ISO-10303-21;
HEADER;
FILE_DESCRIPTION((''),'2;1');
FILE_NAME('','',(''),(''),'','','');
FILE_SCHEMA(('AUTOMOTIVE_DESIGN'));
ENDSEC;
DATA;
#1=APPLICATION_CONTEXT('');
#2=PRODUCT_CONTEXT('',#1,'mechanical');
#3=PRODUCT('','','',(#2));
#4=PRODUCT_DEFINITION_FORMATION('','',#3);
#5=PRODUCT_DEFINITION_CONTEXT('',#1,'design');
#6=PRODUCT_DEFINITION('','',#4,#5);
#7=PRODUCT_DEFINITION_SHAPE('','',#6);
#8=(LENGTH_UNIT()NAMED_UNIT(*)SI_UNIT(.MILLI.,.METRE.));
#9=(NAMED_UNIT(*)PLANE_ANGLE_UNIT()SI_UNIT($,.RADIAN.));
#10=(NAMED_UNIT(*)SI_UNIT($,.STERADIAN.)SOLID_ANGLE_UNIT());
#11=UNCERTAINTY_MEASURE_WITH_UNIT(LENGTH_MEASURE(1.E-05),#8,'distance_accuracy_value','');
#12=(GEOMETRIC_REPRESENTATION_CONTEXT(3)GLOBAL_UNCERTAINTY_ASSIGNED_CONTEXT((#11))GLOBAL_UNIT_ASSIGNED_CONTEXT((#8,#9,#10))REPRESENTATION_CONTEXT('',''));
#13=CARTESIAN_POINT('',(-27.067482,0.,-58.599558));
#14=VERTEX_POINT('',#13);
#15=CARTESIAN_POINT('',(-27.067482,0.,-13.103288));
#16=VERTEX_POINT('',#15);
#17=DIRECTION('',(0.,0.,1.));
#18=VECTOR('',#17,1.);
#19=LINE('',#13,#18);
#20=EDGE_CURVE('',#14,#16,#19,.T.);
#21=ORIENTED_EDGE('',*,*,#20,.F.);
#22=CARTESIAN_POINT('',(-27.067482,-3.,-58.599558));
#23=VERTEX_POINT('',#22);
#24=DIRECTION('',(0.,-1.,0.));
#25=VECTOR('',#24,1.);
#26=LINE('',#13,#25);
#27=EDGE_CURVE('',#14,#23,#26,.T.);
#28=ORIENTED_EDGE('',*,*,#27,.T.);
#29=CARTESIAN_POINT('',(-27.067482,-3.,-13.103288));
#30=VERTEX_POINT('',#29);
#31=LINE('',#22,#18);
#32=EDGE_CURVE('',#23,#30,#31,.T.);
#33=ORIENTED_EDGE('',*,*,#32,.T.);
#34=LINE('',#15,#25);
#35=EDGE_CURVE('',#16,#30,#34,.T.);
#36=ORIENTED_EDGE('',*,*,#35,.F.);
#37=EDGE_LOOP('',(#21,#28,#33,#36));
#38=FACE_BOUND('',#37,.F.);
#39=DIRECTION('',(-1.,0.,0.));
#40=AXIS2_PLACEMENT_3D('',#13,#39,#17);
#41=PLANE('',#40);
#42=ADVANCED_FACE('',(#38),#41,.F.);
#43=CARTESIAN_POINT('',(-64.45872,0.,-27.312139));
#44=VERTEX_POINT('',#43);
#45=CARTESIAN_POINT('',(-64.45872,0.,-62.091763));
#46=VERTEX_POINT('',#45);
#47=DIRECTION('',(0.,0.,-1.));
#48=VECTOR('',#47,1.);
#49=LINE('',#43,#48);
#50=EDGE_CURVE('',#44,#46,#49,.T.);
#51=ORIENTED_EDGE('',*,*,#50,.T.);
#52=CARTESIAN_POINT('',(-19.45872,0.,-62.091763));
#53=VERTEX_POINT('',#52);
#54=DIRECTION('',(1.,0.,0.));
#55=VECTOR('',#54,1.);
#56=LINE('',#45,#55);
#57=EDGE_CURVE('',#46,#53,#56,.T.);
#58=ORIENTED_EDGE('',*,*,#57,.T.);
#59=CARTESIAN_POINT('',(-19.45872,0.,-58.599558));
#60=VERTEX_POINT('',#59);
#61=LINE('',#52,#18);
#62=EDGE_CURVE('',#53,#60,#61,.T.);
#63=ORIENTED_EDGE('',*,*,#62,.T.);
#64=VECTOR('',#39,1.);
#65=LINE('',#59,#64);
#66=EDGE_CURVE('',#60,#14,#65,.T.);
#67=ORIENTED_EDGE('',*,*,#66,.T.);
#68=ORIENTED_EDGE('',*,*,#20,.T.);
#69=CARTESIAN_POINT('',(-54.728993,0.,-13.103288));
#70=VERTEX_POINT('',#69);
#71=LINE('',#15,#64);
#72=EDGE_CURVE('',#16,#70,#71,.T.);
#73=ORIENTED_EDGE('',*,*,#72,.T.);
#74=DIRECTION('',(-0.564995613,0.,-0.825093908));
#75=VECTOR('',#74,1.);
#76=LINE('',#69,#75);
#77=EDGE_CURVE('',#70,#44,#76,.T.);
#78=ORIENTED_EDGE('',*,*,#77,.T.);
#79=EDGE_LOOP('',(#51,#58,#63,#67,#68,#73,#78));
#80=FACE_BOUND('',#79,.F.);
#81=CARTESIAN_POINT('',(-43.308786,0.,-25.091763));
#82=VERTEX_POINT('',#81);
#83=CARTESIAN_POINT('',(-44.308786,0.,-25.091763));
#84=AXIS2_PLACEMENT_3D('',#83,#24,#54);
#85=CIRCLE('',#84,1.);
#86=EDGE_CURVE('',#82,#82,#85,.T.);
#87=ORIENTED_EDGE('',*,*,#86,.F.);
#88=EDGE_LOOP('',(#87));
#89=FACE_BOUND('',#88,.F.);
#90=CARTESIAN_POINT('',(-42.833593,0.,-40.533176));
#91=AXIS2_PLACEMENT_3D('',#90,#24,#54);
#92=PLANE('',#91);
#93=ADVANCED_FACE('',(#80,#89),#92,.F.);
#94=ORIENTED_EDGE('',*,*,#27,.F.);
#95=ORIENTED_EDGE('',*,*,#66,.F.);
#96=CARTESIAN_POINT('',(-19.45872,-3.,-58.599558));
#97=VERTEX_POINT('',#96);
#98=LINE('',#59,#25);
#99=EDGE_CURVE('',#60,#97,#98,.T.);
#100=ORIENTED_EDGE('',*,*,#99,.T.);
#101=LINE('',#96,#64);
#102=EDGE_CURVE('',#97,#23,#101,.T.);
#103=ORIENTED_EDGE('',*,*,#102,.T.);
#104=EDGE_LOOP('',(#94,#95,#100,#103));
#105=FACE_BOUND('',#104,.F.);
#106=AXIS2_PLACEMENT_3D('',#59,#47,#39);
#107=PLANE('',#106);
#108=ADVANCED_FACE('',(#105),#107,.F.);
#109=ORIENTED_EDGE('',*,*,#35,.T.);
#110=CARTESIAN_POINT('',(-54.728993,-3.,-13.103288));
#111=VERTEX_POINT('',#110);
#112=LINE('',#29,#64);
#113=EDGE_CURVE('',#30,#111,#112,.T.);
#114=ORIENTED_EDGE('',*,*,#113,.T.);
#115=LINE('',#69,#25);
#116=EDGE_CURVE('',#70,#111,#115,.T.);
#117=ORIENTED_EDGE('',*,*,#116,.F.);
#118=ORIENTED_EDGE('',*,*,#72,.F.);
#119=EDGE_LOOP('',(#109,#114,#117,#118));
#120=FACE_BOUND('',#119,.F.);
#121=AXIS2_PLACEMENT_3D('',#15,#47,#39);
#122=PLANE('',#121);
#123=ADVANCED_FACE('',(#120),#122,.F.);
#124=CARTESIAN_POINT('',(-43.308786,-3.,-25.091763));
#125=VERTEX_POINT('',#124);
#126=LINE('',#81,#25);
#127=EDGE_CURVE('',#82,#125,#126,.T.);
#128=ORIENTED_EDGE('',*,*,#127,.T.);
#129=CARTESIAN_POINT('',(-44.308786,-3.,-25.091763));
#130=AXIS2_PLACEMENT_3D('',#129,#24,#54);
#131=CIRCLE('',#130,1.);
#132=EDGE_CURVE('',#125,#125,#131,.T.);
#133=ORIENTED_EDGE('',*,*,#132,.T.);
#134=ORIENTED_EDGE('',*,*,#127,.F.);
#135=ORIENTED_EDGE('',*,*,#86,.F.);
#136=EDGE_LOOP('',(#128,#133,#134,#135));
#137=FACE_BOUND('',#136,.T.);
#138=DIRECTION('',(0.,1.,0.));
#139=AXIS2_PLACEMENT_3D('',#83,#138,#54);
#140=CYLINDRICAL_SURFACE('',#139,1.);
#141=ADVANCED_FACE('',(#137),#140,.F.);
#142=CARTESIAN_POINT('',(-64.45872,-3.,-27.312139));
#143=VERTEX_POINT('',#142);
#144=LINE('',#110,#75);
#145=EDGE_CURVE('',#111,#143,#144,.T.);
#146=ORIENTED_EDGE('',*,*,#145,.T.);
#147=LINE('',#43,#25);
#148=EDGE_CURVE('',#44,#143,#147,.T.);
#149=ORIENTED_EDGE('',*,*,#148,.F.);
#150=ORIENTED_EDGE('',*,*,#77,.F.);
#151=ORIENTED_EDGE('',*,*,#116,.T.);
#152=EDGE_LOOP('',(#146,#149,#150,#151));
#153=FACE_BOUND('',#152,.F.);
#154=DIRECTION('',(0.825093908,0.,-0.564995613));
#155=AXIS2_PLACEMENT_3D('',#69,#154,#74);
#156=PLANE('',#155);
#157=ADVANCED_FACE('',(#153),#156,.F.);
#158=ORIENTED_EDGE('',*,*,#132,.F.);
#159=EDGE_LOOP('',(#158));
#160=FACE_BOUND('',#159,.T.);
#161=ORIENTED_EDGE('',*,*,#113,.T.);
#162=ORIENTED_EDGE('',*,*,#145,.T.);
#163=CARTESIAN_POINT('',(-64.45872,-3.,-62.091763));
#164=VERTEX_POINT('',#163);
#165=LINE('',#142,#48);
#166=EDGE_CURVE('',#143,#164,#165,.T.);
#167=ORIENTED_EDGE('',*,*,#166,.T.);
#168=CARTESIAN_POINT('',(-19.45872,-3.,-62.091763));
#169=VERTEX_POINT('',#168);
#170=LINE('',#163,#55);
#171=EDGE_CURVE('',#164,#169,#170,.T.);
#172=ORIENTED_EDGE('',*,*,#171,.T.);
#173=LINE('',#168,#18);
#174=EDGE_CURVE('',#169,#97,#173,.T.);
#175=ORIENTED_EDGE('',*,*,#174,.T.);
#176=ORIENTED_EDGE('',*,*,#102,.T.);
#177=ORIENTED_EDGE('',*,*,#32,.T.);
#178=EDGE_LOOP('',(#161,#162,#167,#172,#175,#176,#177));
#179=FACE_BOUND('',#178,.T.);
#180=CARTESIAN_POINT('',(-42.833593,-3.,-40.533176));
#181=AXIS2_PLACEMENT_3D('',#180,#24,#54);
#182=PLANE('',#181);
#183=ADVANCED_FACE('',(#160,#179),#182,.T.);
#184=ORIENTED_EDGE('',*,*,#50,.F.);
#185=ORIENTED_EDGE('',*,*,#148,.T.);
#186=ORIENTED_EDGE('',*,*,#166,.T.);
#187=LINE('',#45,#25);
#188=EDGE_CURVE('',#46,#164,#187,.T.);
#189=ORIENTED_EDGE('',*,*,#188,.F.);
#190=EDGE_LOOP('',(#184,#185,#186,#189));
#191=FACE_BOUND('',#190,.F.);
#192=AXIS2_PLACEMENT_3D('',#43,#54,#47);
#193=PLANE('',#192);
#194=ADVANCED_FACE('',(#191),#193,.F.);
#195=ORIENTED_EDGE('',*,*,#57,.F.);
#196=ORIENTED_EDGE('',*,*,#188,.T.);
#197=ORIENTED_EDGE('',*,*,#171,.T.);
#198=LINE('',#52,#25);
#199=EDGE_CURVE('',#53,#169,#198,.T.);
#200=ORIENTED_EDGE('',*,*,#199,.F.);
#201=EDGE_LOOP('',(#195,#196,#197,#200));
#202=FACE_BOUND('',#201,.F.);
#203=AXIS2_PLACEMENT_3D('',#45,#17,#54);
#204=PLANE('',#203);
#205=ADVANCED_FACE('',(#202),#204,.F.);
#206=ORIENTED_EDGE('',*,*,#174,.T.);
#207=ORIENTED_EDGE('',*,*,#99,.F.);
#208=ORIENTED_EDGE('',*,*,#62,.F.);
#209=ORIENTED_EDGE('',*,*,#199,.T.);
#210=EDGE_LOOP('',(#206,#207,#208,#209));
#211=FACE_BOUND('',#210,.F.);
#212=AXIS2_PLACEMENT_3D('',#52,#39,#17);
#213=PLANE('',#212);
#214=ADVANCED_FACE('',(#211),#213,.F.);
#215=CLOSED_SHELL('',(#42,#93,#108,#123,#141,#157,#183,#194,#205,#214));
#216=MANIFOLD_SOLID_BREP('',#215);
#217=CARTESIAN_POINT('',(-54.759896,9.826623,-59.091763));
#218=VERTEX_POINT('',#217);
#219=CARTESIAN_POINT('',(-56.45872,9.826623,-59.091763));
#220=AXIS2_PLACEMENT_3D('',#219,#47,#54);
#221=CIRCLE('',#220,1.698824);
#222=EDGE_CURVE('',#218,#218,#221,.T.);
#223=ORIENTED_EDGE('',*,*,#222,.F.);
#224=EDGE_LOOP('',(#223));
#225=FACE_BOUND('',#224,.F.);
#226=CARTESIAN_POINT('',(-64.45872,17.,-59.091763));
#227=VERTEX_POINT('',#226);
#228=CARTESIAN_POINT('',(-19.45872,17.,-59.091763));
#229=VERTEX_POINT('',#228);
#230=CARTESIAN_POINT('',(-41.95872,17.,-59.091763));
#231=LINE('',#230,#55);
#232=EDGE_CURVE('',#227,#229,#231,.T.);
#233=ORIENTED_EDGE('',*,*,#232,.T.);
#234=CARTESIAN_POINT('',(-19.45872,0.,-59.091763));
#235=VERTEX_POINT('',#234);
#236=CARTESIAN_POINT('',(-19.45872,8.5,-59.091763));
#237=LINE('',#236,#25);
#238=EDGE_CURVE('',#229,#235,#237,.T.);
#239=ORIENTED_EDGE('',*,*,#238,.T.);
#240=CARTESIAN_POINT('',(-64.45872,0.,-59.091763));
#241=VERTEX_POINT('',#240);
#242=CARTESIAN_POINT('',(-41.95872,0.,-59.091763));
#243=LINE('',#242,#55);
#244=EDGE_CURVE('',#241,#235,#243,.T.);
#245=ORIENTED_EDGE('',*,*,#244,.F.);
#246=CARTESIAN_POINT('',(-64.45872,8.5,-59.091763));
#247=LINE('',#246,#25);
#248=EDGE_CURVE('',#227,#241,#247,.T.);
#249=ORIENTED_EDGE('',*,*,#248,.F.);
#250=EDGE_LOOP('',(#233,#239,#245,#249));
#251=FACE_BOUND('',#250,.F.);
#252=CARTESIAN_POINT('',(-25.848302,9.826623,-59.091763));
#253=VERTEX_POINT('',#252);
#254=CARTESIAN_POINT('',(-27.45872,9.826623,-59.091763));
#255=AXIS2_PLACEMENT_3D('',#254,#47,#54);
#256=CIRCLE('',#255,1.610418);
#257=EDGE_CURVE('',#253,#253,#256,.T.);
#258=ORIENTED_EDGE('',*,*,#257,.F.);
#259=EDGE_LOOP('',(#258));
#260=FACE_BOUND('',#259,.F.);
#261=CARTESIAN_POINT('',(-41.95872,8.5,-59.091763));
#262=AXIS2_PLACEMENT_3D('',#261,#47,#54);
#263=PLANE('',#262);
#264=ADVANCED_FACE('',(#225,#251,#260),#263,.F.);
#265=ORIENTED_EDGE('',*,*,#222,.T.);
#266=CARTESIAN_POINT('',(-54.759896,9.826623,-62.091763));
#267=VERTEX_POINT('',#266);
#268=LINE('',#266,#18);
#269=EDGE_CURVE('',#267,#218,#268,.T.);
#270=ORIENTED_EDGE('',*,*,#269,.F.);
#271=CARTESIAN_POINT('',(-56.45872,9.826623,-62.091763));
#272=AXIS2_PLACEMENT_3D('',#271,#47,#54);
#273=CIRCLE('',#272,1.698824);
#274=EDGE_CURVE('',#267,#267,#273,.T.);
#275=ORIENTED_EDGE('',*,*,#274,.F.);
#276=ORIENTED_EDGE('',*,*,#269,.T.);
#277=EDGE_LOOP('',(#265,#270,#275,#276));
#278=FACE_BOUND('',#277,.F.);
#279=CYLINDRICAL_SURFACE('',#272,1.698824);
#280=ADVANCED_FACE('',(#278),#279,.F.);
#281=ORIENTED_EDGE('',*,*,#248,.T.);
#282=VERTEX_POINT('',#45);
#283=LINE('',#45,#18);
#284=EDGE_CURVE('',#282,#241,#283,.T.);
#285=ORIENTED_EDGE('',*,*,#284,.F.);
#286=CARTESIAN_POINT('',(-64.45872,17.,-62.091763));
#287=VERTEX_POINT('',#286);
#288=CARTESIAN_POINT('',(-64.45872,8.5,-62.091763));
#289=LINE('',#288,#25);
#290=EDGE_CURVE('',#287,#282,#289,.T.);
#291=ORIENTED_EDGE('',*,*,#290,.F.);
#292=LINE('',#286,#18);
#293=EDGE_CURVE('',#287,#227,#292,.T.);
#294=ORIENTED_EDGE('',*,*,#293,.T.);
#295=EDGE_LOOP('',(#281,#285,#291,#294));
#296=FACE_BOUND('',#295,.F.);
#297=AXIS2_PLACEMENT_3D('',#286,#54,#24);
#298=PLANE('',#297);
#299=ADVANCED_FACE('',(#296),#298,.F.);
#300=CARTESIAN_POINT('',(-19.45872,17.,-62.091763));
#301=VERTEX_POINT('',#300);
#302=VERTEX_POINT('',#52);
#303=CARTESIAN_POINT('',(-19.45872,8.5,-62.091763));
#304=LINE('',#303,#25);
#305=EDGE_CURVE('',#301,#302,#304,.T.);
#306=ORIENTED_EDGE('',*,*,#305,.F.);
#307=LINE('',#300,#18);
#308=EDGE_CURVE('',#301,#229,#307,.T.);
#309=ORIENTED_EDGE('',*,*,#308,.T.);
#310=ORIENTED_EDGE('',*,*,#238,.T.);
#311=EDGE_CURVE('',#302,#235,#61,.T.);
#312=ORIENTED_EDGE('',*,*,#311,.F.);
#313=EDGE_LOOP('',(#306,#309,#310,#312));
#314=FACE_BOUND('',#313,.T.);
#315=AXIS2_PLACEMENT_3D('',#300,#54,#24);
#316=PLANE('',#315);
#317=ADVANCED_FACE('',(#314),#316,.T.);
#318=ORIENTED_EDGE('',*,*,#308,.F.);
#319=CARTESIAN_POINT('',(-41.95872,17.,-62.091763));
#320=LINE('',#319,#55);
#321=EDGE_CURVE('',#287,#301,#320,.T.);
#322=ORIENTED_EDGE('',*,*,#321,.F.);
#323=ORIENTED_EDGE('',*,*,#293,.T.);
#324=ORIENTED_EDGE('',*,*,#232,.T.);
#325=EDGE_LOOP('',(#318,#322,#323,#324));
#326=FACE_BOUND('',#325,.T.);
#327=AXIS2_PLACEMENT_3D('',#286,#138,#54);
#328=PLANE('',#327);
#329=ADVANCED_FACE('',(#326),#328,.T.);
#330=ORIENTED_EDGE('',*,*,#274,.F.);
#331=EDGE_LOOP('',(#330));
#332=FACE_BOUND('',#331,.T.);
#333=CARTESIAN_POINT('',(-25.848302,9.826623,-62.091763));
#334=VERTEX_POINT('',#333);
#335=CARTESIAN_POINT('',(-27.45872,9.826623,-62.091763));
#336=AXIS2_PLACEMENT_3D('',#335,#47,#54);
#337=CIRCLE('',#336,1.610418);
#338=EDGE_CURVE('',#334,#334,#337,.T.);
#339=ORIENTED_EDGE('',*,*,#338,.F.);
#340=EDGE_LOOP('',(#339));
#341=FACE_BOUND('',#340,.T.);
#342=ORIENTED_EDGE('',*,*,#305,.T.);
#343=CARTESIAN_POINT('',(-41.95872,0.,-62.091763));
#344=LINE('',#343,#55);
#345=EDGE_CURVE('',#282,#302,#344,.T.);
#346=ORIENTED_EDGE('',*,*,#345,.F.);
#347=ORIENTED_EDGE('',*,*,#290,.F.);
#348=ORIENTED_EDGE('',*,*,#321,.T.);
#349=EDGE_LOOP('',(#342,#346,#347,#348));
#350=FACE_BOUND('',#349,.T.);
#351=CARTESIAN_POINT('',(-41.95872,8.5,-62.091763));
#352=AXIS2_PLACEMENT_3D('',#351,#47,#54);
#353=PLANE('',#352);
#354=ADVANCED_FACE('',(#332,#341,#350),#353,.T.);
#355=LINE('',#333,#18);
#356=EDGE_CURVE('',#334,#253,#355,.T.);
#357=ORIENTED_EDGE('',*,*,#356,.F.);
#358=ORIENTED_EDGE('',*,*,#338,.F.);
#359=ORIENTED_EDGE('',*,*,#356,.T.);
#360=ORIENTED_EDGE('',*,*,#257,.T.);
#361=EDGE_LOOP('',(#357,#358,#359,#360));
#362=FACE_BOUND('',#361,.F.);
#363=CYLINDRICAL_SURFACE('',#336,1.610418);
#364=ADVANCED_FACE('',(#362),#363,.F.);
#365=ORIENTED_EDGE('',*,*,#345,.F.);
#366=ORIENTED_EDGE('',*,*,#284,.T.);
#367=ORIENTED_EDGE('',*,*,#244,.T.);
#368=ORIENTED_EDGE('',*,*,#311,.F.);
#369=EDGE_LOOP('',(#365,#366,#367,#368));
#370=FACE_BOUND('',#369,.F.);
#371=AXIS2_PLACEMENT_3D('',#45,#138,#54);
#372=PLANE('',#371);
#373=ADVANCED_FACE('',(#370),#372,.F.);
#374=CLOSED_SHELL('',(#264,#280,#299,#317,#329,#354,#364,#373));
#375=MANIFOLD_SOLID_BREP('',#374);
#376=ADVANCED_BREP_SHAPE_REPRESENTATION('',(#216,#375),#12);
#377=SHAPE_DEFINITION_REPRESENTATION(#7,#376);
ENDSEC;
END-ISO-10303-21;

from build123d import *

# Parameters (mm, degrees)
F0_R     = 1
F0_W     = 1
F0_H     = 6
F1_DEPTH = 3
F2_W     = 45
F2_H     = 17
F2_R     = 1.698824
F2_R_2   = 1.610418
F3_DEPTH = 3


with BuildPart() as f1:
    # F0 (on Front) → F1 (new body)
    with BuildSketch(Plane.XZ):
        Polygon((-64.45872, -27.312139), (-64.45872, -62.091763), (-19.45872, -62.091763), (-19.45872, -58.599558), (-27.067482, -58.599558), (-27.067482, -13.103288), (-54.728993, -13.103288), align=None)
        with Locations((-54.308786, -25.101645)):
            Circle(F0_R, mode=Mode.SUBTRACT)
        Polygon((-51.308786, -22.091763), (-51.308786, -18.091763), (-27.308786, -18.091763), (-27.308786, -32.091763), (-51.308786, -32.091763), (-51.308786, -28.091763), (-52.308786, -28.091763), (-52.308786, -22.091763), align=None, mode=Mode.SUBTRACT)
        with Locations((-54.308786, -25.101645)):
            Circle(F0_R)
        with Locations((-51.808786, -25.091763)):
            Rectangle(F0_W, F0_H)
        Polygon((-27.308786, -18.091763), (-51.308786, -18.091763), (-51.308786, -22.091763), (-51.308786, -28.091763), (-51.308786, -32.091763), (-27.308786, -32.091763), align=None)
        with Locations((-44.308786, -25.091763)):
            Circle(F0_R, mode=Mode.SUBTRACT)
    extrude(amount=F1_DEPTH)


with BuildPart() as f3:
    # F2 (on face) → F3 (new body)
    with BuildSketch(Plane(origin=(0, 0, -62.091763), x_dir=(1, 0, 0), z_dir=(0, 0, -1))):
        with Locations((-41.95872, -8.5)):
            Rectangle(F2_W, F2_H)
        with Locations((-56.45872, -9.826623)):
            Circle(F2_R, mode=Mode.SUBTRACT)
        with Locations((-27.45872, -9.826623)):
            Circle(F2_R_2, mode=Mode.SUBTRACT)
    extrude(amount=-F3_DEPTH)


solid = Compound([f1.part, f3.part])
